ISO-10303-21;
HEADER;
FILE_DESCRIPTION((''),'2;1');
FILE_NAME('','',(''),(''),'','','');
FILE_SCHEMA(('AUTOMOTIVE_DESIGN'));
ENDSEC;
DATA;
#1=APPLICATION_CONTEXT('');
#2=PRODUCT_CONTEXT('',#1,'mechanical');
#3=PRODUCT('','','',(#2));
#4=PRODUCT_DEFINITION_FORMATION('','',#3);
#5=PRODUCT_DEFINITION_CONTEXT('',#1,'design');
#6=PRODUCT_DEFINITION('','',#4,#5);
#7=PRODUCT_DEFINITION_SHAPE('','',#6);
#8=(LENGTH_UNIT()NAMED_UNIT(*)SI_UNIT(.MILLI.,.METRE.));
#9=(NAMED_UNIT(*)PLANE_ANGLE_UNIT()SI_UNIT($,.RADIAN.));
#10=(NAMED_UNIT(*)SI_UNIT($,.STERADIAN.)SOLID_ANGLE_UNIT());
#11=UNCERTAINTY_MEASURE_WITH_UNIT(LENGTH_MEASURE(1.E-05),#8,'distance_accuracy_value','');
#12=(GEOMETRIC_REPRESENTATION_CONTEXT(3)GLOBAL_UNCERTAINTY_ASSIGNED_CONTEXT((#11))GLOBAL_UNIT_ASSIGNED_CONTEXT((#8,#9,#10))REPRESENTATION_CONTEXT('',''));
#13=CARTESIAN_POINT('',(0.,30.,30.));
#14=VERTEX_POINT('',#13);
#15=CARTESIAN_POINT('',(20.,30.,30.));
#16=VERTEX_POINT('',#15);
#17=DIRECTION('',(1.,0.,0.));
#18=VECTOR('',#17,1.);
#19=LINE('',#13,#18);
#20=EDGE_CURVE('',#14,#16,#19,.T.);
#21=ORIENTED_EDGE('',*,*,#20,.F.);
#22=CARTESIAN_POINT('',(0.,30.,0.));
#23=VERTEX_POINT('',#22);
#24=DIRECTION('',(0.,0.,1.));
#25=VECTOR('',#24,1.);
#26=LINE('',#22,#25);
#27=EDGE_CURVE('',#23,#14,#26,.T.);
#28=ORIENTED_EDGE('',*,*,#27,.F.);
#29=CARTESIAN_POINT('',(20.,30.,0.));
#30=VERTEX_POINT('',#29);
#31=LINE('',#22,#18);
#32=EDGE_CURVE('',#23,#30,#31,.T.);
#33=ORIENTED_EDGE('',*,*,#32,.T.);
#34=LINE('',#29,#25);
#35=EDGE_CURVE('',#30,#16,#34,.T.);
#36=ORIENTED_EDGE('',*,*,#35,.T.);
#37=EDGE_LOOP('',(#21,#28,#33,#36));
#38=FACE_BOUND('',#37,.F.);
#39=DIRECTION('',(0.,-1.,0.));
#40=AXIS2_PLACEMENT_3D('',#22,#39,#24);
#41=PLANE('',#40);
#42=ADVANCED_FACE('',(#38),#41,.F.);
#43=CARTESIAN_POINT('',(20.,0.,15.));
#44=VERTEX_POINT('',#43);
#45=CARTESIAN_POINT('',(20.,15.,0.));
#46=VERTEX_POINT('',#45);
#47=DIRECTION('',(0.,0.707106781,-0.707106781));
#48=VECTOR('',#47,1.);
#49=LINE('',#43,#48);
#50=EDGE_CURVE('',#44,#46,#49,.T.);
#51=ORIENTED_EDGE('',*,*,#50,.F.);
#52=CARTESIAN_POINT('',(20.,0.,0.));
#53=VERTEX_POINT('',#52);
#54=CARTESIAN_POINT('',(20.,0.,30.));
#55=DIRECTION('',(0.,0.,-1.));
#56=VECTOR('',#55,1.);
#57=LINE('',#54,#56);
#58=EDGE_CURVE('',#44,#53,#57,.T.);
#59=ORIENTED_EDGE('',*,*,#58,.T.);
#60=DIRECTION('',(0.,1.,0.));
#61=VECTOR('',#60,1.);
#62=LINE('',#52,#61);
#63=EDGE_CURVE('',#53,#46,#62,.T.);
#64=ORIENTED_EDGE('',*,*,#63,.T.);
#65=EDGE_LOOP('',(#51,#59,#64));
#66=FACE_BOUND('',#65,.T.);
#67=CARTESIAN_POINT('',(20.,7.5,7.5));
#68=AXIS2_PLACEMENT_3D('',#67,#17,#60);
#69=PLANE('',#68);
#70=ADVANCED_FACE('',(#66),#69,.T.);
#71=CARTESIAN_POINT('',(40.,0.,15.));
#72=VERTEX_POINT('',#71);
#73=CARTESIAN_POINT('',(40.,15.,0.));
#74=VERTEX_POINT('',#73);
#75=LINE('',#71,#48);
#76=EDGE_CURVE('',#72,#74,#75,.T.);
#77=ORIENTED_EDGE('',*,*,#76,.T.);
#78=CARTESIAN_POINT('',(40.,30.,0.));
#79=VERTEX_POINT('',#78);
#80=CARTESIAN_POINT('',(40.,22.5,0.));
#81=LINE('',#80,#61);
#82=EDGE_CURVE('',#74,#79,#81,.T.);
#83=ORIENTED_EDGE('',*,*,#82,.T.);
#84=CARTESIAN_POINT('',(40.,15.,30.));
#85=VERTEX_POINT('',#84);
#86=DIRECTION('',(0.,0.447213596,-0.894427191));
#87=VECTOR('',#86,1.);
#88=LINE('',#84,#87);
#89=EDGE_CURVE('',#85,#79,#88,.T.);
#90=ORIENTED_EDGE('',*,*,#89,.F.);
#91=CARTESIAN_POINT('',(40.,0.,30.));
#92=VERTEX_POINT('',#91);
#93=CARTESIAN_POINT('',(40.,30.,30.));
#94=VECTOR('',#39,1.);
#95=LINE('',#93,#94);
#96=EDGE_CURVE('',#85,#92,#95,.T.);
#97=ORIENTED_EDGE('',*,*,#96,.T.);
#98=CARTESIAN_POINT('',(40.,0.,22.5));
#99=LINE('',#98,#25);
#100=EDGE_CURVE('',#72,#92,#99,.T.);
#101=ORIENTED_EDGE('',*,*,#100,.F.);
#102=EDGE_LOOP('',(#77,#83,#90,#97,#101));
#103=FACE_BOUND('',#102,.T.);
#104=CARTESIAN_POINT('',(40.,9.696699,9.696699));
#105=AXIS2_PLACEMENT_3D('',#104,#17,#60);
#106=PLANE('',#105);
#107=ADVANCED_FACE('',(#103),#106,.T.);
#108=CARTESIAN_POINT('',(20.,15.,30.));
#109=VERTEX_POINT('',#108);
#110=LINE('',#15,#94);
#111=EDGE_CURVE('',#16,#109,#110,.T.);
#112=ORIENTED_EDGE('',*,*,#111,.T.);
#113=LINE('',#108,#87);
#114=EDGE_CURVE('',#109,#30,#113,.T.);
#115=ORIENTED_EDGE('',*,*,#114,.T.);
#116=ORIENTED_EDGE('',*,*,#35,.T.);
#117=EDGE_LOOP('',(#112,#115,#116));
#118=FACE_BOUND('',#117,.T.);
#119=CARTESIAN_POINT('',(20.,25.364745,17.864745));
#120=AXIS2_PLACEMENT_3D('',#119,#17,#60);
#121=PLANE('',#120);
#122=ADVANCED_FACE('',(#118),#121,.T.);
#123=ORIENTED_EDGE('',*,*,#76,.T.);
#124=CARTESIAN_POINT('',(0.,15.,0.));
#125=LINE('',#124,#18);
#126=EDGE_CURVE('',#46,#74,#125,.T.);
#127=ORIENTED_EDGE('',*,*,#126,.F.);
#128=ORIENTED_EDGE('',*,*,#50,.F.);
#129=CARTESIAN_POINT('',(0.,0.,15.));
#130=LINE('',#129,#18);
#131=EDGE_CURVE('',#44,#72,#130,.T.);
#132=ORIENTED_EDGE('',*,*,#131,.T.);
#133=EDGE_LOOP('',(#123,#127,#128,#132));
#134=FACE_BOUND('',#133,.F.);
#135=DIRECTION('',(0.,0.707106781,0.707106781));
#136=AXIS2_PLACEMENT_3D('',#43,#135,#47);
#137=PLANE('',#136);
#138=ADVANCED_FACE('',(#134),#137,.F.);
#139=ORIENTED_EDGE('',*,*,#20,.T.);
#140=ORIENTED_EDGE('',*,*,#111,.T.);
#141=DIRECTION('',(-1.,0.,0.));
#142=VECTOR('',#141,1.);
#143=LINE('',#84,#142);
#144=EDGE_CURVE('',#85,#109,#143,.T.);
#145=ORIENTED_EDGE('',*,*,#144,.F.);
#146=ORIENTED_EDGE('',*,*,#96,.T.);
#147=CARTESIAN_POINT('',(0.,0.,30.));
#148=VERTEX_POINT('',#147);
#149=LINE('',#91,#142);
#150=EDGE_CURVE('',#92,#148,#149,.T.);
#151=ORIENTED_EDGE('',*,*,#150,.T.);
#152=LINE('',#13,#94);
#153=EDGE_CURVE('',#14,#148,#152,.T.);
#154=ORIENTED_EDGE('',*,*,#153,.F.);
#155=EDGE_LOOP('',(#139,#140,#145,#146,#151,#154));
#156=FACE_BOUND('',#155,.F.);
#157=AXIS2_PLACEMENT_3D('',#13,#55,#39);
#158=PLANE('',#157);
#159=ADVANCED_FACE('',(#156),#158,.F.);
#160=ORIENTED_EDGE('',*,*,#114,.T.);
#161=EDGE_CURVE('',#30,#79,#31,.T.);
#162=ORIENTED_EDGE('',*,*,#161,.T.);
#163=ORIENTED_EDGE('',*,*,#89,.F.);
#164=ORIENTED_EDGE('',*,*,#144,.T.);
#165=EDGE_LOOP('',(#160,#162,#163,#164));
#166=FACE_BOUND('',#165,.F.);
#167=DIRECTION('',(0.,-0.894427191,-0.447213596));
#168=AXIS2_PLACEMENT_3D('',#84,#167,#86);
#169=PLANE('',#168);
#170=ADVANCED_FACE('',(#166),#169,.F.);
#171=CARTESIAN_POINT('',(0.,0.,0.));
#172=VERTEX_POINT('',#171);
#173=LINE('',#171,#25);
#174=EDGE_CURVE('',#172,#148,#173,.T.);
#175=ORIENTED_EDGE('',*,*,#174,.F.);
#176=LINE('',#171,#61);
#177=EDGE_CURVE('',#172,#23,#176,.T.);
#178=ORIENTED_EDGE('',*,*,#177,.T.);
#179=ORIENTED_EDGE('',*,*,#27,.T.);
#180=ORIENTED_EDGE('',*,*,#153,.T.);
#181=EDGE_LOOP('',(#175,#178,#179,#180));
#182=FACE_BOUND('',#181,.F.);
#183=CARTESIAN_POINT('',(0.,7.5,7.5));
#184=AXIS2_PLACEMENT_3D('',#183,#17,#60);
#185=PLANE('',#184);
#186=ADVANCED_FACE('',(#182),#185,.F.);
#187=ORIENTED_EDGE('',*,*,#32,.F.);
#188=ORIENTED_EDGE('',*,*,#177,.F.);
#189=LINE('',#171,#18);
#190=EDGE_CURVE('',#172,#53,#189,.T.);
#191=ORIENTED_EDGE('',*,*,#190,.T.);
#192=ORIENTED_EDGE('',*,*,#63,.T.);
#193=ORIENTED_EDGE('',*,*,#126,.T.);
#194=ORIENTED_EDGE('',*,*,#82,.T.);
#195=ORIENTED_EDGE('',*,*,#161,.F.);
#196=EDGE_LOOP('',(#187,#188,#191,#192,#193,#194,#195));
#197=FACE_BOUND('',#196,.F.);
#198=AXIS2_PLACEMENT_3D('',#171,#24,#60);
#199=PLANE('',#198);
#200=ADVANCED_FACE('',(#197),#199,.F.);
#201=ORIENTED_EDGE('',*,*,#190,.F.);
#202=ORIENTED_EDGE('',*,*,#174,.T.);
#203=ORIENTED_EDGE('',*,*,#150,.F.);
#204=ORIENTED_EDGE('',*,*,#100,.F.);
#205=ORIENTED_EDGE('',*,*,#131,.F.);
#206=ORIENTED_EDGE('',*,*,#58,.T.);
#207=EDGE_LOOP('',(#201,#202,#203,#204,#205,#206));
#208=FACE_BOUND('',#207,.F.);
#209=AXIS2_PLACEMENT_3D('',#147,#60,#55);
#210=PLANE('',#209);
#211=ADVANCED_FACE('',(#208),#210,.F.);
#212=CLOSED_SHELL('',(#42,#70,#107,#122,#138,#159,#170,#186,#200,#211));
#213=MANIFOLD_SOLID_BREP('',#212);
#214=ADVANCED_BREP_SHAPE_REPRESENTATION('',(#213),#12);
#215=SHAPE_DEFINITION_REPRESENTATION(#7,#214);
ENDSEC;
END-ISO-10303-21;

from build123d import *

# Parameters (mm, degrees)
F0_W     = 15
F0_H     = 15
F1_DEPTH = 20
F2_DEPTH = 40
F4_DEPTH = 20
F6_DEPTH = 20


with BuildPart() as f1:
    # F0 (on Right) → F1 (new body)
    with BuildSketch(Plane.YZ):
        with Locations((7.5, 7.5)):
            Rectangle(F0_W, F0_H)
        with Locations((22.5, 7.5)):
            Rectangle(F0_W, F0_H)
        with Locations((7.5, 22.5)):
            Rectangle(F0_W, F0_H)
        with Locations((22.5, 22.5)):
            Rectangle(F0_W, F0_H)
    extrude(amount=F1_DEPTH)

    # F0 (on Right) → F2 (join)
    with BuildSketch(Plane.YZ):
        with Locations((22.5, 7.5)):
            Rectangle(F0_W, F0_H)
        with Locations((22.5, 22.5)):
            Rectangle(F0_W, F0_H)
        with Locations((7.5, 22.5)):
            Rectangle(F0_W, F0_H)
    extrude(amount=F2_DEPTH)

    # F3 (on face) → F4 (cut)
    with BuildSketch(Plane.YZ.offset(40)):
        Polygon((30, 30), (15, 30), (30, 0), align=None)
    extrude(amount=-F4_DEPTH, mode=Mode.SUBTRACT)

    # F5 (on face) → F6 (join)
    with BuildSketch(Plane.YZ.offset(20)):
        Polygon((15, 15), (0, 15), (15, 0), align=None)
    extrude(amount=F6_DEPTH)


solid = f1.part
